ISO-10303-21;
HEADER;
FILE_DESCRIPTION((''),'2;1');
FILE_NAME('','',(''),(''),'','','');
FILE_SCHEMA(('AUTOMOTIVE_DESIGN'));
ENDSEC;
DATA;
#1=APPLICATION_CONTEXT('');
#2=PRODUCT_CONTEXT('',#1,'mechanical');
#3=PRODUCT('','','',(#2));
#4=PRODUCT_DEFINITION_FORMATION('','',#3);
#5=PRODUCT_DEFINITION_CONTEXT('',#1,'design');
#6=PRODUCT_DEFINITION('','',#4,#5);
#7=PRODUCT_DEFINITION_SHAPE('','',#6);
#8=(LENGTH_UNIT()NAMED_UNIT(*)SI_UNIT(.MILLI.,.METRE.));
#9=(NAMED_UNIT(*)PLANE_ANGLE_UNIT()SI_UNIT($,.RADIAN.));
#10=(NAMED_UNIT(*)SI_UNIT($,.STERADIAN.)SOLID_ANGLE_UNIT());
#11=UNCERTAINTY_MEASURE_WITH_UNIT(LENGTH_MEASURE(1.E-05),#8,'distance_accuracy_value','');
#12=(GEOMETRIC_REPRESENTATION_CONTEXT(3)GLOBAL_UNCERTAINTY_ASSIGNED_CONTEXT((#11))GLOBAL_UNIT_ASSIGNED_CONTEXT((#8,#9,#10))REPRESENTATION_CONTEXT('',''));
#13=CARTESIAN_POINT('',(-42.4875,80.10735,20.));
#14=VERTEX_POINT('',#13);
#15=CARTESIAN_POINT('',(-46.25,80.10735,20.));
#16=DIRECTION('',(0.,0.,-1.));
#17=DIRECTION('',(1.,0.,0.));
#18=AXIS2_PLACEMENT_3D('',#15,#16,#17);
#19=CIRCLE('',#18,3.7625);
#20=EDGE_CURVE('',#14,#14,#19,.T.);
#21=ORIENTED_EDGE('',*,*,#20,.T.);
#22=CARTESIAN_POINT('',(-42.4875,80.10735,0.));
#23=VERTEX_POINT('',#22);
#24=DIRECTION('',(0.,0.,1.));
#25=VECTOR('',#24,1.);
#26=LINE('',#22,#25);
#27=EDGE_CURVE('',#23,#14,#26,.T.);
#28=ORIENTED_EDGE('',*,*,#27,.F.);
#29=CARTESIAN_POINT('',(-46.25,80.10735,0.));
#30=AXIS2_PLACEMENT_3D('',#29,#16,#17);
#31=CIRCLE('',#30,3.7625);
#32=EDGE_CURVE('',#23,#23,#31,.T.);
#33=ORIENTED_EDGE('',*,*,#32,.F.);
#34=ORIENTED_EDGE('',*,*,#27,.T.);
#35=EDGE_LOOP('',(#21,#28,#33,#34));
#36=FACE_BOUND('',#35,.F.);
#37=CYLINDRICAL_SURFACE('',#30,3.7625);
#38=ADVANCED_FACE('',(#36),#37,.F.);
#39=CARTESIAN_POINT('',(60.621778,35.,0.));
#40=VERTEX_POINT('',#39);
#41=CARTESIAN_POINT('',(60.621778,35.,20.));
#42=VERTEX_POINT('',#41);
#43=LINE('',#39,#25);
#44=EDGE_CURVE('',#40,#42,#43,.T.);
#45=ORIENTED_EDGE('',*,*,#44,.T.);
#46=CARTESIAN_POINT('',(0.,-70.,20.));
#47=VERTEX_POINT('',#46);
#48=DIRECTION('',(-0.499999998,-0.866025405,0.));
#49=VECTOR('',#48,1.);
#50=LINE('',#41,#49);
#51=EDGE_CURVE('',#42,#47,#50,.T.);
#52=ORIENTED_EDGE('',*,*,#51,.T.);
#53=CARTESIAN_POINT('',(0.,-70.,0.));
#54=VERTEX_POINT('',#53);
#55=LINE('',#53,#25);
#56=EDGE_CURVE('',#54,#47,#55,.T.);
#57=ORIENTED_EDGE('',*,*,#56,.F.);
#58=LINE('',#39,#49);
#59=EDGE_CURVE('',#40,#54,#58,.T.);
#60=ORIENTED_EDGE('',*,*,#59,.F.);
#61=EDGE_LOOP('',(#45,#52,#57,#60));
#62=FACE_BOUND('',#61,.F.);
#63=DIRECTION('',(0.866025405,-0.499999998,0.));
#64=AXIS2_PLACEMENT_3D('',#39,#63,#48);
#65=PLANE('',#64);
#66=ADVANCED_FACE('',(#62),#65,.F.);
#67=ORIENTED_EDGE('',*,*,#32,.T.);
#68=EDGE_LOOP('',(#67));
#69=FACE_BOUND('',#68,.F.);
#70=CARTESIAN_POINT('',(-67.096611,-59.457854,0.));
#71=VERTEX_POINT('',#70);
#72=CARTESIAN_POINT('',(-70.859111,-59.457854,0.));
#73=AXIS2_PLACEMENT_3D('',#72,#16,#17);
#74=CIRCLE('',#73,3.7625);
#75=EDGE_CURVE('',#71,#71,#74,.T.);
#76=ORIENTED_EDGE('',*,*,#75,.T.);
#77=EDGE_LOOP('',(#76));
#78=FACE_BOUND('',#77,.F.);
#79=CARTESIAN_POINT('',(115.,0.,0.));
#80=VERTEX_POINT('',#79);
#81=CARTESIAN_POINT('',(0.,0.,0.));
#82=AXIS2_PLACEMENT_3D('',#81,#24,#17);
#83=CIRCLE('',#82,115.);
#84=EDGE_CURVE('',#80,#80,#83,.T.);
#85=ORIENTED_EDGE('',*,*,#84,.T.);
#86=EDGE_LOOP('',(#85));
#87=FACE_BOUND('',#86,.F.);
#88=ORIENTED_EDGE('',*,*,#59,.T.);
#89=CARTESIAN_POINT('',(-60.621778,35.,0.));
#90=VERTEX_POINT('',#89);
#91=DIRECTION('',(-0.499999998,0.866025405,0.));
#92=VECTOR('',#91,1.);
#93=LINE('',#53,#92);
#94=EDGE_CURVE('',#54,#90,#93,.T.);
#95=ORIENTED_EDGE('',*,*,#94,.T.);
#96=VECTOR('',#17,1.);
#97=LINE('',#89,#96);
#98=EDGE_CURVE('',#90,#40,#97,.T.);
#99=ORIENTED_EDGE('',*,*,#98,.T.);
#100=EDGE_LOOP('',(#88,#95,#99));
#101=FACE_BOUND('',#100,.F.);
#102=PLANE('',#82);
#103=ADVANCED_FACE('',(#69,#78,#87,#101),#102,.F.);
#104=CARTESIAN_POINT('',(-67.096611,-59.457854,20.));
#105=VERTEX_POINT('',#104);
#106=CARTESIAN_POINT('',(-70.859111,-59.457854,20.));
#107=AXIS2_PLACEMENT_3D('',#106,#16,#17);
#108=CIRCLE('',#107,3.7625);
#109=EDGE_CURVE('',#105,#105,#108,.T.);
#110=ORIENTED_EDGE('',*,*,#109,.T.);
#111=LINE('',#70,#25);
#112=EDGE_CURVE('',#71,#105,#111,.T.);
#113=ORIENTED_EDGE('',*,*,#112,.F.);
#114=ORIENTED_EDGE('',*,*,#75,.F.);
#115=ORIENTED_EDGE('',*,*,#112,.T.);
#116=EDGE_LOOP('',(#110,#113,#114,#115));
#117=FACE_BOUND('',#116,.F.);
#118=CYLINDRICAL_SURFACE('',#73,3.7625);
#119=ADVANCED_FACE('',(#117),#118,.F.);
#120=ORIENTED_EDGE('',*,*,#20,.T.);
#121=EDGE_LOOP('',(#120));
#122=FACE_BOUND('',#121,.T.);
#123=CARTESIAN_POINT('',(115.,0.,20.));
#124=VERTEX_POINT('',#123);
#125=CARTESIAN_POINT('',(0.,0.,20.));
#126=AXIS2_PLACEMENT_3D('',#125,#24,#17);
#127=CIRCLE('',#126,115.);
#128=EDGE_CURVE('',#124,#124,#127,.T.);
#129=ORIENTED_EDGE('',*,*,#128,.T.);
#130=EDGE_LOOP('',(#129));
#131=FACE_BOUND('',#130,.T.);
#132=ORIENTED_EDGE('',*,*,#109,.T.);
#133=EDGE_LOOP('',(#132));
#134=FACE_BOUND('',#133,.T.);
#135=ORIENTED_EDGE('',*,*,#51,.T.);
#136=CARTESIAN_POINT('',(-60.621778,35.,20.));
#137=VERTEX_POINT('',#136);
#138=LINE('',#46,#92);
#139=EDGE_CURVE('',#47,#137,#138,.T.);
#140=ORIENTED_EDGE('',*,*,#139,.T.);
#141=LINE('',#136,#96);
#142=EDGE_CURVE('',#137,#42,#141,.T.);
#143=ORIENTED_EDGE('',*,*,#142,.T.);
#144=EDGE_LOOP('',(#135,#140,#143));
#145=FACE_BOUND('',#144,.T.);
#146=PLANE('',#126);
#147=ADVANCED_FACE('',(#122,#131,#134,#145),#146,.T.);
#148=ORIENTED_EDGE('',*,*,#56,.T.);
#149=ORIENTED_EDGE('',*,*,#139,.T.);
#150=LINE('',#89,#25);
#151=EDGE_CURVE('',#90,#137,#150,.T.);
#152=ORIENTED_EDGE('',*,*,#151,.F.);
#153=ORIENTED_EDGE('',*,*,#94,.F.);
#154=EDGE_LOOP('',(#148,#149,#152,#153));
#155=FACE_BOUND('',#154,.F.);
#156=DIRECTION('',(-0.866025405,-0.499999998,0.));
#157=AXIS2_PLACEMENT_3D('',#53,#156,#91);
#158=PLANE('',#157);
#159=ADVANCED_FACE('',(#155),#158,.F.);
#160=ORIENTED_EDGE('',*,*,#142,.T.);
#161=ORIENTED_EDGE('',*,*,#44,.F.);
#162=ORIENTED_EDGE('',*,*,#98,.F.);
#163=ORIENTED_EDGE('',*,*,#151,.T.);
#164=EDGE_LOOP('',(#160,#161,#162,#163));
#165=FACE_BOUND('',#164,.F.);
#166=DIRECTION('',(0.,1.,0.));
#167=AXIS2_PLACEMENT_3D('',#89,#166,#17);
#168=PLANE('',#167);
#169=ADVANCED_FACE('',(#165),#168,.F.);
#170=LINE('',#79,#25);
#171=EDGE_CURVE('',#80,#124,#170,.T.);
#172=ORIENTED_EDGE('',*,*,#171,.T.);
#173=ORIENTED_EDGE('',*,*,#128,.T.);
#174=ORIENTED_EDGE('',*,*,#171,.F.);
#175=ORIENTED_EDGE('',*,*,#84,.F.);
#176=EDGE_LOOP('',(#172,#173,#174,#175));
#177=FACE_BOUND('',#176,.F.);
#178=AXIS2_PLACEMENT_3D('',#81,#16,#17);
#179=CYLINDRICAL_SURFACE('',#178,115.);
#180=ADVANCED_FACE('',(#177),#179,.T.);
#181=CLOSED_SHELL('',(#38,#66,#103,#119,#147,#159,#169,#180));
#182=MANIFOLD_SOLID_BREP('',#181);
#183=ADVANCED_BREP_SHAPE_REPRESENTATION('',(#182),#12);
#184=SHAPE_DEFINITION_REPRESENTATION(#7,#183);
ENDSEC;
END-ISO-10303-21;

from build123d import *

# Parameters (mm, degrees)
F0_R     = 115
F1_DEPTH = 20
F2_R     = 3.7625
F3_DEPTH = 25


with BuildPart() as f1:
    # F0 (on Top) → F1 (new body)
    with BuildSketch(Plane.XY):
        Circle(F0_R)
        Polygon((0, -70), (-60.621778, 35), (60.621778, 35), align=None, mode=Mode.SUBTRACT)
    extrude(amount=F1_DEPTH)

    # F2 (on face) → F3 (cut)
    with BuildSketch(Plane(origin=(0, 0, 0), x_dir=(1, 0, 0), z_dir=(0, 0, -1))):
        with Locations((-70.859111, 59.457854)):
            Circle(F2_R)
        with Locations((-46.25, -80.10735)):
            Circle(F2_R)
    extrude(amount=-F3_DEPTH, mode=Mode.SUBTRACT)


solid = f1.part
